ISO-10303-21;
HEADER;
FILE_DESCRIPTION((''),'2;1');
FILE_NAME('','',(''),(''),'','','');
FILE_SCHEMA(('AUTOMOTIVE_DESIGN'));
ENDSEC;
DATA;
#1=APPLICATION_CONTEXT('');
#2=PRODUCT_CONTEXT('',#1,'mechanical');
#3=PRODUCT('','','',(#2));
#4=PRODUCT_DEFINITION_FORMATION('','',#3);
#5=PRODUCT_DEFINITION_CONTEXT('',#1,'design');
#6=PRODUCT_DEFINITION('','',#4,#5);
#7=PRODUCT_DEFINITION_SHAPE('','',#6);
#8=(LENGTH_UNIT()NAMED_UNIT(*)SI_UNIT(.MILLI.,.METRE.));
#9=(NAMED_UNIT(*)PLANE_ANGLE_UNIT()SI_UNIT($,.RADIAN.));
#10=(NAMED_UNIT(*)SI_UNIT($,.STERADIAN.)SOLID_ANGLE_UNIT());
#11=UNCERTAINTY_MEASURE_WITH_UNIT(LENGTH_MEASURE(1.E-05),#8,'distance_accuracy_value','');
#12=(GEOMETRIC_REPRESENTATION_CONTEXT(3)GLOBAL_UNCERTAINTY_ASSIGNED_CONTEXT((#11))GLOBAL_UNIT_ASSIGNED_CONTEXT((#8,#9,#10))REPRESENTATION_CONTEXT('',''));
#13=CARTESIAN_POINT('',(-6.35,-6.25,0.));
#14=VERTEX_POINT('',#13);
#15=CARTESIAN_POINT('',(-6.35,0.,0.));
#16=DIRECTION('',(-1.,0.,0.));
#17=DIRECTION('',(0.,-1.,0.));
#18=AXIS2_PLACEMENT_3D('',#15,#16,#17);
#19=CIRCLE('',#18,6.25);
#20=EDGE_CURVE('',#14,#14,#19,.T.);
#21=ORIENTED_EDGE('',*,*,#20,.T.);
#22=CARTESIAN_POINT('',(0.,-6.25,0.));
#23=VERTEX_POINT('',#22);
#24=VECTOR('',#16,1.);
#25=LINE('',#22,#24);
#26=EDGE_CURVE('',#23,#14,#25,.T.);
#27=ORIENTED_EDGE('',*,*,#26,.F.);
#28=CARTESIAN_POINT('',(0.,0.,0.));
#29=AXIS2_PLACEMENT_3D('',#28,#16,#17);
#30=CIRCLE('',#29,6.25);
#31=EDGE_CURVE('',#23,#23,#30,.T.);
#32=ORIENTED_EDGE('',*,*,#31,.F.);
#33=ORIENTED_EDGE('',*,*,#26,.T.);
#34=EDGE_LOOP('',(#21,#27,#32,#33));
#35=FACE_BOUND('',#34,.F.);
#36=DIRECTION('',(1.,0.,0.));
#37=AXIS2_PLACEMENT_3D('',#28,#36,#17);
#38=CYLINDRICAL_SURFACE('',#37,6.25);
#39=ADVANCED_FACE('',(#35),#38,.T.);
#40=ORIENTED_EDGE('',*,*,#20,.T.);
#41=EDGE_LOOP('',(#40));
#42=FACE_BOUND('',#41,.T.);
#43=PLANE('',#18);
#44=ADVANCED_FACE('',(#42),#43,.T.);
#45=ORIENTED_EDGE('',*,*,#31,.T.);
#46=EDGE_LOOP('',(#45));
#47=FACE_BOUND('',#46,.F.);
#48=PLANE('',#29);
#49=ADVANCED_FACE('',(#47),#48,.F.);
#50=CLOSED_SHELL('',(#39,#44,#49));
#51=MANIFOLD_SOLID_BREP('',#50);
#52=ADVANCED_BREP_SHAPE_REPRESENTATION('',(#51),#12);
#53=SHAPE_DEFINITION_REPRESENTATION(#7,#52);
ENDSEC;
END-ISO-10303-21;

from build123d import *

# Parameters (mm, degrees)
F0_R     = 6.25
F1_DEPTH = 6.35
F3_ANGLE = 90


with BuildPart() as f1:
    # F0 (on Front) → F1 (new body)
    with BuildSketch(Plane.XZ):
        Circle(F0_R)
    extrude(amount=F1_DEPTH)


with BuildPart() as f1_1:
    # F3: moved
    add(f1.part.rotate(Axis((0, 0, 1.882441), (0, 0, -1)), F3_ANGLE))


solid = f1_1.part
